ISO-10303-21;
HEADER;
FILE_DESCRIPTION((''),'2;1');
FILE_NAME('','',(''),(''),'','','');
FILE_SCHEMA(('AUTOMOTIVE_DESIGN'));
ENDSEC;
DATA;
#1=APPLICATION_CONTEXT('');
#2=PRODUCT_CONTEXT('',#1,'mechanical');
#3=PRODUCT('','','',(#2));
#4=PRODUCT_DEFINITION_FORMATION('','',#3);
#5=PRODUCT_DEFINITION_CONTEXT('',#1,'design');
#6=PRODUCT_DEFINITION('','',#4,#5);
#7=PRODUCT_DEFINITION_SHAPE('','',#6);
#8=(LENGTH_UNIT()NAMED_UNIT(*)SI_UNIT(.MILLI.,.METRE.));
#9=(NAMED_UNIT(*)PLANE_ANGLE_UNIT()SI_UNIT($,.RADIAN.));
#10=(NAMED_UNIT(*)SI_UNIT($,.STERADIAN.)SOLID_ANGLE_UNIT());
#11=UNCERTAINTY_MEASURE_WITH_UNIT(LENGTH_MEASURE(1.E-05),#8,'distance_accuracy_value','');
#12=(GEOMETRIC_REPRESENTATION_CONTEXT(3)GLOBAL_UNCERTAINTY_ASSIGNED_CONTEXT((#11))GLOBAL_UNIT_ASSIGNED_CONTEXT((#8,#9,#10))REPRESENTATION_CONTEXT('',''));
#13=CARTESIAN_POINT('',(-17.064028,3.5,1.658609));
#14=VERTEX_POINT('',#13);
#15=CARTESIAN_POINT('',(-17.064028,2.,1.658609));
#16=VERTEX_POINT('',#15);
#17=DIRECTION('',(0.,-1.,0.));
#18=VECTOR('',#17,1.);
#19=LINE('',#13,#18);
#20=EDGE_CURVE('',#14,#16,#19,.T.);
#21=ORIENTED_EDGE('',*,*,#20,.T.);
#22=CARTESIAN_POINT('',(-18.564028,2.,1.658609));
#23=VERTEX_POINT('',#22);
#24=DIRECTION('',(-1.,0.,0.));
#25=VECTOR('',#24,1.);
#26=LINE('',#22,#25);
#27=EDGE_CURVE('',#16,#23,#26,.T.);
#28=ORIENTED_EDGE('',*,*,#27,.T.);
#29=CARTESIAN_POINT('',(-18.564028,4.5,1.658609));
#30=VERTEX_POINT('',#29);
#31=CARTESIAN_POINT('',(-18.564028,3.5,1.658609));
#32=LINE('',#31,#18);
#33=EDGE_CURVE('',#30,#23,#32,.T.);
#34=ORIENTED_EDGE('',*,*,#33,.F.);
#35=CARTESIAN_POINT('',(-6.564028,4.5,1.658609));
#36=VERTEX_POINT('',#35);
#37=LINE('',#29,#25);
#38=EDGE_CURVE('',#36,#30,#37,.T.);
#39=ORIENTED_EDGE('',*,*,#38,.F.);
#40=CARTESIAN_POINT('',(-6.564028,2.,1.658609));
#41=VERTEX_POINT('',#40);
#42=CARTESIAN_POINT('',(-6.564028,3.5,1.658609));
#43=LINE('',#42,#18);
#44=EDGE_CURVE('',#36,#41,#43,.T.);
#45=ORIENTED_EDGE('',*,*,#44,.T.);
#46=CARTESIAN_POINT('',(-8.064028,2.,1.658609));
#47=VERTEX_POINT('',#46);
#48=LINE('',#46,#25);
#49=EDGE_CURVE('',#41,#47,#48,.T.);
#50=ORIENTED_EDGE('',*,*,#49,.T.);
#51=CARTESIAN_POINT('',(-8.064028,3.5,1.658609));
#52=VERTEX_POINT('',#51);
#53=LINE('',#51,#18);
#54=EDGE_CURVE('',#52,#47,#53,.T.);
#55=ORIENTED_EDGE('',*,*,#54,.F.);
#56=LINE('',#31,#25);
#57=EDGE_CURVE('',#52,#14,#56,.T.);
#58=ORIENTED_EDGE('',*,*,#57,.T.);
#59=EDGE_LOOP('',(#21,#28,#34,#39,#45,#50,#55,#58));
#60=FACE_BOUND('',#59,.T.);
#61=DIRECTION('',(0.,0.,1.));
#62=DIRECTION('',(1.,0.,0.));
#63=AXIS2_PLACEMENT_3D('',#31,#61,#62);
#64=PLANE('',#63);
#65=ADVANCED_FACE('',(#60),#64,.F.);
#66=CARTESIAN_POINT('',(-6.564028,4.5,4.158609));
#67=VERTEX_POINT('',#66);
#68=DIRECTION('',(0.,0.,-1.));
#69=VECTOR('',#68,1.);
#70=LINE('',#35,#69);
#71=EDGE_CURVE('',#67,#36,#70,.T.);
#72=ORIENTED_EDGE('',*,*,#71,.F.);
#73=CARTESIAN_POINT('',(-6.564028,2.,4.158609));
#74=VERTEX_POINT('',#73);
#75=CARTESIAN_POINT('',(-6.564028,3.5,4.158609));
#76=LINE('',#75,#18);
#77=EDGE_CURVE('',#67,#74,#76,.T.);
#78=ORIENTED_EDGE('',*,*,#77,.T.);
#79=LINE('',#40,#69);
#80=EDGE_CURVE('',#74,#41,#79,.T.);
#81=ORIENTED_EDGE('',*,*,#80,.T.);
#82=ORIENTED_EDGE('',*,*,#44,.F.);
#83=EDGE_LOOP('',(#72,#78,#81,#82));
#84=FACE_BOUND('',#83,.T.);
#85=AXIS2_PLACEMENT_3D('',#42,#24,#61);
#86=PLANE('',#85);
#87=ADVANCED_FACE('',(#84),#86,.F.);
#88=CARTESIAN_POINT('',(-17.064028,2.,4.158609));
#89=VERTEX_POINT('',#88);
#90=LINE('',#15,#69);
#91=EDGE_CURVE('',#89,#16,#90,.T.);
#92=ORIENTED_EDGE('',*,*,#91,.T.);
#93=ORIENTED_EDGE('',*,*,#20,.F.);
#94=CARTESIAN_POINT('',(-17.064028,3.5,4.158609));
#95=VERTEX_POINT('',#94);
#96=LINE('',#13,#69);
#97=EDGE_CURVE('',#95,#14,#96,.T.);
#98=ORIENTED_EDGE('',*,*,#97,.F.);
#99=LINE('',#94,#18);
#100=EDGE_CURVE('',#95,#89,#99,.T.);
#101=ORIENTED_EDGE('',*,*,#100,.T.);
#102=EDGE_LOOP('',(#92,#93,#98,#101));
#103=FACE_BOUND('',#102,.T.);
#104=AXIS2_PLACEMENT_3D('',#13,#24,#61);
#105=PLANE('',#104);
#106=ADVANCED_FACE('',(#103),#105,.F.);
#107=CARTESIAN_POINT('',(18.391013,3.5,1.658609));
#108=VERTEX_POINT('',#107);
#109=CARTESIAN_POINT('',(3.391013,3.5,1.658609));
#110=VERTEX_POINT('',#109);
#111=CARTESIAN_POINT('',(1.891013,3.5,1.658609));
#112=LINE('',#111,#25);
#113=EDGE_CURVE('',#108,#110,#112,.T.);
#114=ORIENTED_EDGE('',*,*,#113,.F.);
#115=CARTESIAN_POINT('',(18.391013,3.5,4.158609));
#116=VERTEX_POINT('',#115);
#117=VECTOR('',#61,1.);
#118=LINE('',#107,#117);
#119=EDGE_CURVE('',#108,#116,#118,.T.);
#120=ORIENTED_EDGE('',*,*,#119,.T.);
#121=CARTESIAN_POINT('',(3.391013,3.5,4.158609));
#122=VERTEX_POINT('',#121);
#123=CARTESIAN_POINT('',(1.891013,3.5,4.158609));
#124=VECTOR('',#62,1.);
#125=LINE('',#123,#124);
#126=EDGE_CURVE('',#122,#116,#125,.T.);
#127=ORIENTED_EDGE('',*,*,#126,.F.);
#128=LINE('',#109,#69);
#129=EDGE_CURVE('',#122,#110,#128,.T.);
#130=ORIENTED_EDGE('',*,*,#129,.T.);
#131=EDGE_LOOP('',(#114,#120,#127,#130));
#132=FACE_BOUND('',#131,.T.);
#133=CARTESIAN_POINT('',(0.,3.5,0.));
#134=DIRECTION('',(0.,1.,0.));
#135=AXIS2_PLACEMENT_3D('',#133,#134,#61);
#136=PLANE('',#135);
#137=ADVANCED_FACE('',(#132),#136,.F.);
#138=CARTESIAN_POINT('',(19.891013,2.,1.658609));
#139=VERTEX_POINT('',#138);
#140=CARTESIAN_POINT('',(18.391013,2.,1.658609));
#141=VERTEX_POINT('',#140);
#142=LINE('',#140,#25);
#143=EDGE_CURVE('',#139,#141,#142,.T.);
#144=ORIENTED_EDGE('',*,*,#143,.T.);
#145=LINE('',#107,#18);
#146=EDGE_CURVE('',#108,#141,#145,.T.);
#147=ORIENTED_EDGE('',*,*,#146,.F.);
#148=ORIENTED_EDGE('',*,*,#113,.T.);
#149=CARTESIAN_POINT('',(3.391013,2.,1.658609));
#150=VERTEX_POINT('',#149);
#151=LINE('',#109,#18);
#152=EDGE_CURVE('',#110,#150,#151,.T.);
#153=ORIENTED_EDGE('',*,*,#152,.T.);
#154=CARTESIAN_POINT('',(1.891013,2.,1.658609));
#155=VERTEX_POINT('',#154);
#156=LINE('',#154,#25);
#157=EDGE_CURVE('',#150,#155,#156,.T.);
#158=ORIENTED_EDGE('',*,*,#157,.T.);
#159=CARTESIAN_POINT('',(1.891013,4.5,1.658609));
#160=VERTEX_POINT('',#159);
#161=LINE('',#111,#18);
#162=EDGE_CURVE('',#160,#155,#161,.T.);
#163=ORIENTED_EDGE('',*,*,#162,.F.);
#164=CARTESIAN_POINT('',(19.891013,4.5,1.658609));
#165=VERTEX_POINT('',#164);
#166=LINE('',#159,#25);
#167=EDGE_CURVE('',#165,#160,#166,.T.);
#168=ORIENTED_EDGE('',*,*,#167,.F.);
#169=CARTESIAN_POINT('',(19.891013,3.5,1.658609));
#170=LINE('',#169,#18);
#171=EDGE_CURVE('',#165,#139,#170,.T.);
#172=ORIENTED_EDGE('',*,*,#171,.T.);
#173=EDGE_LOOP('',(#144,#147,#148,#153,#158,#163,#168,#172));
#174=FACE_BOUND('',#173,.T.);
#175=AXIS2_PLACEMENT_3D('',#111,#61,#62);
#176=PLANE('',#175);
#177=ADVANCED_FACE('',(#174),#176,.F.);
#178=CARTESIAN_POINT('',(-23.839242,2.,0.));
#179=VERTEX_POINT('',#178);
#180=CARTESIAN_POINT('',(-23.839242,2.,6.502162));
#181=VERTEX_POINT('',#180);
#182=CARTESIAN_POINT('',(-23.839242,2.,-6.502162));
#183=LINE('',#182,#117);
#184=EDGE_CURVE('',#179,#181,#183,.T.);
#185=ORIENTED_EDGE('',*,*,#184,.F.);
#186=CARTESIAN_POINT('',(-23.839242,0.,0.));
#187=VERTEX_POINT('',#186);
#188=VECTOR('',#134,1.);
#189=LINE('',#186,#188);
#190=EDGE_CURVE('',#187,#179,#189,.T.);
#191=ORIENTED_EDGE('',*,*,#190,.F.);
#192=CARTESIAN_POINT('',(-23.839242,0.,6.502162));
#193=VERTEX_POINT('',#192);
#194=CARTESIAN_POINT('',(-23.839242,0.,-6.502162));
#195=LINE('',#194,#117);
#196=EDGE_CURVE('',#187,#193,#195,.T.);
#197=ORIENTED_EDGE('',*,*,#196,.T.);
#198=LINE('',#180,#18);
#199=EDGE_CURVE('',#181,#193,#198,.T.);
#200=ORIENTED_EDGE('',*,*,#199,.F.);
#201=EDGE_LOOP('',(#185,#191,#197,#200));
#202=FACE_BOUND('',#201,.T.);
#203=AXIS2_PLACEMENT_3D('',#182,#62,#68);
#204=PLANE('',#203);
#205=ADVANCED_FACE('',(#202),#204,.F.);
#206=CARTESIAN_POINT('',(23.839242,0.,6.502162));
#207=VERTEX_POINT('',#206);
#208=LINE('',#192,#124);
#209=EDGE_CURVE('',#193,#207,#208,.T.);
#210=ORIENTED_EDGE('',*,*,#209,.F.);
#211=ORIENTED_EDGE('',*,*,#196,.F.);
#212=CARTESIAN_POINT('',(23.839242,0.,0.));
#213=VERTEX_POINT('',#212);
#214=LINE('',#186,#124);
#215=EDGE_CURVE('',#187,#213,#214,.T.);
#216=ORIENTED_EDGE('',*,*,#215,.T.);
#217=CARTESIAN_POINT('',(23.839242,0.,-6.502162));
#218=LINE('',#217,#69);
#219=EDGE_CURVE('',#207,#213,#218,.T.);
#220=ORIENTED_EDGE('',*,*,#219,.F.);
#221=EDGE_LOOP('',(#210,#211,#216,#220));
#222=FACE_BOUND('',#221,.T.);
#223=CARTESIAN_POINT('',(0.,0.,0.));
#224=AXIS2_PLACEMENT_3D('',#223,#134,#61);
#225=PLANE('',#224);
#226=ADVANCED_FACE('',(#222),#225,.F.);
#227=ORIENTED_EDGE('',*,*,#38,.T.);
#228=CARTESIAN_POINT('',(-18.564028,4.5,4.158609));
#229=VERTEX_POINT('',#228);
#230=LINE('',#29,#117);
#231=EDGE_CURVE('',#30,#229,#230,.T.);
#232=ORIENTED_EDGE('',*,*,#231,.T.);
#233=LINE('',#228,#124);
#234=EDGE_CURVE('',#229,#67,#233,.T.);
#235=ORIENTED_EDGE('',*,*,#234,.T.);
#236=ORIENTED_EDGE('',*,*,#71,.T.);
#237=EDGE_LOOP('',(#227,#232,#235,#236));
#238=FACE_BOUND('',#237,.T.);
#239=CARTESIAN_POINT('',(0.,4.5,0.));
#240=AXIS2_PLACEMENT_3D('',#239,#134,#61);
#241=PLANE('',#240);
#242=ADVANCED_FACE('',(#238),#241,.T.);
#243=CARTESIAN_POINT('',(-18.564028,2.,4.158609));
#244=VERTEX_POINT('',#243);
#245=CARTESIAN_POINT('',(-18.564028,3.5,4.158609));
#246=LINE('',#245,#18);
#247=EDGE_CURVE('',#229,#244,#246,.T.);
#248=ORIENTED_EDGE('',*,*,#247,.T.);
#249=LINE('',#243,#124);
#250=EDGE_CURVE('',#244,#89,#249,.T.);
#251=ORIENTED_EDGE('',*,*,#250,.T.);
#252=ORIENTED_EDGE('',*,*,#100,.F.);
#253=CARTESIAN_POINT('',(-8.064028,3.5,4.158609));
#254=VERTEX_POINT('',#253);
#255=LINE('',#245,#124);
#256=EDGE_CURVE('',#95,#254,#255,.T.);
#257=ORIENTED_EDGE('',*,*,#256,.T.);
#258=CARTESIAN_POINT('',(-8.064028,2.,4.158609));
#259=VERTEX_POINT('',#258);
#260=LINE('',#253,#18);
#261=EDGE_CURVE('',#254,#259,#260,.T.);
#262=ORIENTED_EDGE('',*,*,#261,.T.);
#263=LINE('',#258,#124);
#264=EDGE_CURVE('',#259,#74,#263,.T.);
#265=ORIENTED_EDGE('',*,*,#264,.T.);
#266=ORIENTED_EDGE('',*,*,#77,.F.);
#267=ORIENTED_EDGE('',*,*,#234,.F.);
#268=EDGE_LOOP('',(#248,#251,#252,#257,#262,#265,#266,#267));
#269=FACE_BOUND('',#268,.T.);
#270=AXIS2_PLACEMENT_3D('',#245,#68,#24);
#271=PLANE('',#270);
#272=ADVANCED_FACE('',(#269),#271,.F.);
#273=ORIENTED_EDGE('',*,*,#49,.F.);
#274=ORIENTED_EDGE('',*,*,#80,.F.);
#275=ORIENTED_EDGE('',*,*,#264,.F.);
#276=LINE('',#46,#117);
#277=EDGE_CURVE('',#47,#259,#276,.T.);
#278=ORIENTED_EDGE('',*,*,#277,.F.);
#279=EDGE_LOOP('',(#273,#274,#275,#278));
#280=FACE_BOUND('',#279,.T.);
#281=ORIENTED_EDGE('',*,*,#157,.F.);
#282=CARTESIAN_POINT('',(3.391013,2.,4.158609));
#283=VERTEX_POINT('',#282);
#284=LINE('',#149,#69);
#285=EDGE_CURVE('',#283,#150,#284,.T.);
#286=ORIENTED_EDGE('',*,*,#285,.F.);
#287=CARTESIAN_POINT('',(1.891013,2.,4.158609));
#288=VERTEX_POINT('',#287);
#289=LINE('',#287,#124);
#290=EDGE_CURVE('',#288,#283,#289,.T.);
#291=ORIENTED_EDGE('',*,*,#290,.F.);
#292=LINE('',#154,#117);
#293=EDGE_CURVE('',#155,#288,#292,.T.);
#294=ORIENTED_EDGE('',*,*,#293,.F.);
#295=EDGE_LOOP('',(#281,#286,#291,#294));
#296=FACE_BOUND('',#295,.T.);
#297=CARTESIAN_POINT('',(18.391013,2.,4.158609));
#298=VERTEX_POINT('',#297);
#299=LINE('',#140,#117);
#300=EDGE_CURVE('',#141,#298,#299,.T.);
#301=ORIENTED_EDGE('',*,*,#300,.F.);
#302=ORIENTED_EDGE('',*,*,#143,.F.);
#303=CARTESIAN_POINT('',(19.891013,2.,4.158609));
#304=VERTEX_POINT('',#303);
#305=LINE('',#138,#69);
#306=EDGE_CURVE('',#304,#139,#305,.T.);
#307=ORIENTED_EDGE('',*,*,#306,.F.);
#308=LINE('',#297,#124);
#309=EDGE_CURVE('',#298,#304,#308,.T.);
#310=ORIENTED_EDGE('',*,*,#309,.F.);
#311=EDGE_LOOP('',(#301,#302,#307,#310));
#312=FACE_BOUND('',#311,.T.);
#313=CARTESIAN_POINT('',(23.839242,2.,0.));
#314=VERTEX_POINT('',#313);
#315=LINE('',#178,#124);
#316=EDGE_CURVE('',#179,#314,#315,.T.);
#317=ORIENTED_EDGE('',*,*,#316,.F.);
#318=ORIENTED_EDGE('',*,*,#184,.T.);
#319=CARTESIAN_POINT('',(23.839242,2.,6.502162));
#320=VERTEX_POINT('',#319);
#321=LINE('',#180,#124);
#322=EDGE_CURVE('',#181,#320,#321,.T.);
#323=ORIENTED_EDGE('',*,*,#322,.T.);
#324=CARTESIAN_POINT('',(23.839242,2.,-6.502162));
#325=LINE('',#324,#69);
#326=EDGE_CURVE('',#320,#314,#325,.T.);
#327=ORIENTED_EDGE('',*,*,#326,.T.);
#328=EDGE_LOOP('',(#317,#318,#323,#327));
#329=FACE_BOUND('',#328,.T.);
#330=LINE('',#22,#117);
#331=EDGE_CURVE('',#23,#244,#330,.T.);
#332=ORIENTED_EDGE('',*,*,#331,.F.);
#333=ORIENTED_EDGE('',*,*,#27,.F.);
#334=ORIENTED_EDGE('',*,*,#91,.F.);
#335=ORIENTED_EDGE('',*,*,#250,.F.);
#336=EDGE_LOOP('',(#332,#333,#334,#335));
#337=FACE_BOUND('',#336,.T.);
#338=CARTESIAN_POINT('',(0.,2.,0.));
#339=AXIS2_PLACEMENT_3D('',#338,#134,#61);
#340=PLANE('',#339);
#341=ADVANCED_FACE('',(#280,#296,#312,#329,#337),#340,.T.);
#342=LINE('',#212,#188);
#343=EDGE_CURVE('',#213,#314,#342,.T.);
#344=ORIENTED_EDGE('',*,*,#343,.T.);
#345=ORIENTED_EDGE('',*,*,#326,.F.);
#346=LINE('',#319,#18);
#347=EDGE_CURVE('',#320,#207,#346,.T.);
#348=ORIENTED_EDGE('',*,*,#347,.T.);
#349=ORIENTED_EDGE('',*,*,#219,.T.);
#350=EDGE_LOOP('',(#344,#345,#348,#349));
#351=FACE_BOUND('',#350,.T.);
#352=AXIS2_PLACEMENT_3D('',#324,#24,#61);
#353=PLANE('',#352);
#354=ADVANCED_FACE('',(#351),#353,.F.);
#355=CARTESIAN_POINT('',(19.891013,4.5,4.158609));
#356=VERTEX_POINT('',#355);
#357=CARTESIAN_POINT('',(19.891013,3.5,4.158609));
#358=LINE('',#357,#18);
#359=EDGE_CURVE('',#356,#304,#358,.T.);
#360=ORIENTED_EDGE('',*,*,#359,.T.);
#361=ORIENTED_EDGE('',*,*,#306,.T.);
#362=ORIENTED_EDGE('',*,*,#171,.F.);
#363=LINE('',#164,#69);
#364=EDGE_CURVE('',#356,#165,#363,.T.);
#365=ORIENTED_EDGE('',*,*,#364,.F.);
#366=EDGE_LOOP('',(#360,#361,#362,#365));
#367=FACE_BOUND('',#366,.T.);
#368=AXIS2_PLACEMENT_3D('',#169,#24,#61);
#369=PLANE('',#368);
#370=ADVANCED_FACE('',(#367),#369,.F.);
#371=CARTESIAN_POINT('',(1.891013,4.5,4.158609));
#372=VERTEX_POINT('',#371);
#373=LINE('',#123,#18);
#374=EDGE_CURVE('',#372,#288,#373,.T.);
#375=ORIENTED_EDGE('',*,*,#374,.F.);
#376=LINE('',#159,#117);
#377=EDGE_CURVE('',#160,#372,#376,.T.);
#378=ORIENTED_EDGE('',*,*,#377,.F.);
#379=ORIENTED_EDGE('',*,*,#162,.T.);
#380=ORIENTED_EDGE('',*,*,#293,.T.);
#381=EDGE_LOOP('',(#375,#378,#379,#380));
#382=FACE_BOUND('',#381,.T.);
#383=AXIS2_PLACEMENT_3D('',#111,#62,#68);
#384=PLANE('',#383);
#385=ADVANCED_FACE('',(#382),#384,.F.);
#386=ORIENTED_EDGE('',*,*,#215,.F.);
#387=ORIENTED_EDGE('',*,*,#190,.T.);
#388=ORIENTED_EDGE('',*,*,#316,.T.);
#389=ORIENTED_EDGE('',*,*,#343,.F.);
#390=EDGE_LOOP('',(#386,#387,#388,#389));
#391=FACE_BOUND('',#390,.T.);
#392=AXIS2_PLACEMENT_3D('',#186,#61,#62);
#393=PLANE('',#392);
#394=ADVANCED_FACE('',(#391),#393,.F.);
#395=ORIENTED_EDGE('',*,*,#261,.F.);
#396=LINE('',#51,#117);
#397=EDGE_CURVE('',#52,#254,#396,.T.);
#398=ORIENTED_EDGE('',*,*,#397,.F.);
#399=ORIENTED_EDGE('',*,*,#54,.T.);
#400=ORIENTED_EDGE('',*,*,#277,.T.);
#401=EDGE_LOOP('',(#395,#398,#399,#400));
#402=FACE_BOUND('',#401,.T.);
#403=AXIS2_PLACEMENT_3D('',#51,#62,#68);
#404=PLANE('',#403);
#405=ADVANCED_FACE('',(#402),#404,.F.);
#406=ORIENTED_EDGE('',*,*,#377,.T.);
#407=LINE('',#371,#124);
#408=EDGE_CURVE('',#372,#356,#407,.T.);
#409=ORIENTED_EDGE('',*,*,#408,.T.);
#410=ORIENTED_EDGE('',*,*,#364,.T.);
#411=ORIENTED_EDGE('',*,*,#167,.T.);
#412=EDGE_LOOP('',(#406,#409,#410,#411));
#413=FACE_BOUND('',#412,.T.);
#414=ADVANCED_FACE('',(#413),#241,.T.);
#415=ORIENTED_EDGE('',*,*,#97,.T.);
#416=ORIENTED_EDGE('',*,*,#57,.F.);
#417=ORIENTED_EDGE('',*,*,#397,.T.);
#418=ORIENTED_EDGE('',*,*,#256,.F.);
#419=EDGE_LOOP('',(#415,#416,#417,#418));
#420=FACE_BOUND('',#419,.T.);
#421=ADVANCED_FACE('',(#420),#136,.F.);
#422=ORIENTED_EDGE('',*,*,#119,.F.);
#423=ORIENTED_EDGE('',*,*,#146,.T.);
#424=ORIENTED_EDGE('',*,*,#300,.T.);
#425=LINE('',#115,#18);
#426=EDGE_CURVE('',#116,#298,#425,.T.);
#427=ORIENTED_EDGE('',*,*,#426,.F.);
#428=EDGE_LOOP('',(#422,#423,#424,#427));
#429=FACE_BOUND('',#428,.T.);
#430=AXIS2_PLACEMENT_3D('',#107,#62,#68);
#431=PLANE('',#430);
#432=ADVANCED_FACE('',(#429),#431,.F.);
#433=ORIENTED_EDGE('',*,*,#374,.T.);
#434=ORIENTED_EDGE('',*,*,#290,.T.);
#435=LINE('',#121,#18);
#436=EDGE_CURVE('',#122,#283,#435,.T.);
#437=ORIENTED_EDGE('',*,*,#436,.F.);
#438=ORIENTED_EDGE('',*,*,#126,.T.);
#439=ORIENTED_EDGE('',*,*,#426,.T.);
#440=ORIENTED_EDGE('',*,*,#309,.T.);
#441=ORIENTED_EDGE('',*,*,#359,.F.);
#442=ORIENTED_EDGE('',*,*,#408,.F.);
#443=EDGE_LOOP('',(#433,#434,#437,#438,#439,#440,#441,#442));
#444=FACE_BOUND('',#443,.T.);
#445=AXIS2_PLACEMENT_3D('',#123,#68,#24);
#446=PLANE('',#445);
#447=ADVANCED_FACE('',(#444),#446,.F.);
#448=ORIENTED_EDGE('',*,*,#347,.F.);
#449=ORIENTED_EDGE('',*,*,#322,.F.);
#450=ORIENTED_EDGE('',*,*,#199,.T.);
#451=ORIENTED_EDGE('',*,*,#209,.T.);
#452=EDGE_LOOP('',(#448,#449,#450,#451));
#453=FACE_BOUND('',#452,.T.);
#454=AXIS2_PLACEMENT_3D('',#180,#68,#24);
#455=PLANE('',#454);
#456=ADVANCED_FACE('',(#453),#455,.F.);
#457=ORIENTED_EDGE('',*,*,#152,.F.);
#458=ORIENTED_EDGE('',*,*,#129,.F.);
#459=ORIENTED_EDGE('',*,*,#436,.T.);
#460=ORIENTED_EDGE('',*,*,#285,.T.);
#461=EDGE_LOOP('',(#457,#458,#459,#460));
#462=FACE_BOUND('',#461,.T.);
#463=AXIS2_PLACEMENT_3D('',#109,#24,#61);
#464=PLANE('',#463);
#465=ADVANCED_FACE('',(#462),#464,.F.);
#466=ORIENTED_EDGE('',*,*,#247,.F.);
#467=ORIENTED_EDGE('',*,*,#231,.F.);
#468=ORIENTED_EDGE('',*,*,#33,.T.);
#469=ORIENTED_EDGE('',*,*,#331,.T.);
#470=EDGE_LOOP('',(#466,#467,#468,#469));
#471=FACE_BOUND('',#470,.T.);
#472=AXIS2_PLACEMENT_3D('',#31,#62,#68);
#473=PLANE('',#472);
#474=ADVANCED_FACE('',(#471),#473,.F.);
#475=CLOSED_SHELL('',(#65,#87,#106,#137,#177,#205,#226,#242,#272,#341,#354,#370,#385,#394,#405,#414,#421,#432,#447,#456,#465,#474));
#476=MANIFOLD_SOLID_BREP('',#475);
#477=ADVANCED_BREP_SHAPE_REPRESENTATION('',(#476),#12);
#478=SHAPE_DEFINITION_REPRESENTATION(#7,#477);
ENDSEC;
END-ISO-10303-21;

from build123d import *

# Parameters (mm, degrees)
SKETCH1_W           = 47.678483764
SKETCH1_H           = 13.004323218
BOSS_EXTRUDE1_DEPTH = 2
SKETCH2_W           = 1.5
SKETCH2_H           = 2.5
BOSS_EXTRUDE2_DEPTH = 1.5
SKETCH3_W           = 12
SKETCH3_H           = 2.5
SKETCH3_W_2         = 18
BOSS_EXTRUDE3_DEPTH = 1
SKETCH4_W           = 47.678483764
SKETCH4_H           = 6.502161609
CUT_EXTRUDE1_DEPTH  = 25.83621467


with BuildPart() as part:
    # Sketch1 → Boss-Extrude1 (new body)
    with BuildSketch(Plane(origin=(0, 0, 0), x_dir=(1, 0, 0), z_dir=(0, 1, 0))):
        Rectangle(SKETCH1_W, SKETCH1_H)
    extrude(amount=BOSS_EXTRUDE1_DEPTH)

    # Sketch2 → Boss-Extrude2 (add)
    with BuildSketch(Plane(origin=(0, 2, 0), x_dir=(1, 0, 0), z_dir=(0, 1, 0))):
        with Locations((-17.814028346, -2.908609225)):
            Rectangle(SKETCH2_W, SKETCH2_H)
        with Locations((-7.314028346, -2.908609225)):
            Rectangle(SKETCH2_W, SKETCH2_H)
        with Locations((2.641012715, -2.908609225)):
            Rectangle(SKETCH2_W, SKETCH2_H)
        with Locations((19.141012715, -2.908609225)):
            Rectangle(SKETCH2_W, SKETCH2_H)
    extrude(amount=BOSS_EXTRUDE2_DEPTH)

    # Sketch3 → Boss-Extrude3 (add)
    with BuildSketch(Plane(origin=(0, 3.5, 0), x_dir=(1, 0, 0), z_dir=(0, 1, 0))):
        with Locations((-12.564028346, -2.908609225)):
            Rectangle(SKETCH3_W, SKETCH3_H)
        with Locations((10.891012715, -2.908609225)):
            Rectangle(SKETCH3_W_2, SKETCH3_H)
    extrude(amount=BOSS_EXTRUDE3_DEPTH)

    # Sketch4 → Cut-Extrude1 (cut, through all)
    with BuildSketch(Plane(origin=(0, 2, 0), x_dir=(1, 0, 0), z_dir=(0, 1, 0))):
        with Locations((0, 3.251080805)):
            Rectangle(SKETCH4_W, SKETCH4_H)
    extrude(amount=-CUT_EXTRUDE1_DEPTH, mode=Mode.SUBTRACT)


solid = part.part
